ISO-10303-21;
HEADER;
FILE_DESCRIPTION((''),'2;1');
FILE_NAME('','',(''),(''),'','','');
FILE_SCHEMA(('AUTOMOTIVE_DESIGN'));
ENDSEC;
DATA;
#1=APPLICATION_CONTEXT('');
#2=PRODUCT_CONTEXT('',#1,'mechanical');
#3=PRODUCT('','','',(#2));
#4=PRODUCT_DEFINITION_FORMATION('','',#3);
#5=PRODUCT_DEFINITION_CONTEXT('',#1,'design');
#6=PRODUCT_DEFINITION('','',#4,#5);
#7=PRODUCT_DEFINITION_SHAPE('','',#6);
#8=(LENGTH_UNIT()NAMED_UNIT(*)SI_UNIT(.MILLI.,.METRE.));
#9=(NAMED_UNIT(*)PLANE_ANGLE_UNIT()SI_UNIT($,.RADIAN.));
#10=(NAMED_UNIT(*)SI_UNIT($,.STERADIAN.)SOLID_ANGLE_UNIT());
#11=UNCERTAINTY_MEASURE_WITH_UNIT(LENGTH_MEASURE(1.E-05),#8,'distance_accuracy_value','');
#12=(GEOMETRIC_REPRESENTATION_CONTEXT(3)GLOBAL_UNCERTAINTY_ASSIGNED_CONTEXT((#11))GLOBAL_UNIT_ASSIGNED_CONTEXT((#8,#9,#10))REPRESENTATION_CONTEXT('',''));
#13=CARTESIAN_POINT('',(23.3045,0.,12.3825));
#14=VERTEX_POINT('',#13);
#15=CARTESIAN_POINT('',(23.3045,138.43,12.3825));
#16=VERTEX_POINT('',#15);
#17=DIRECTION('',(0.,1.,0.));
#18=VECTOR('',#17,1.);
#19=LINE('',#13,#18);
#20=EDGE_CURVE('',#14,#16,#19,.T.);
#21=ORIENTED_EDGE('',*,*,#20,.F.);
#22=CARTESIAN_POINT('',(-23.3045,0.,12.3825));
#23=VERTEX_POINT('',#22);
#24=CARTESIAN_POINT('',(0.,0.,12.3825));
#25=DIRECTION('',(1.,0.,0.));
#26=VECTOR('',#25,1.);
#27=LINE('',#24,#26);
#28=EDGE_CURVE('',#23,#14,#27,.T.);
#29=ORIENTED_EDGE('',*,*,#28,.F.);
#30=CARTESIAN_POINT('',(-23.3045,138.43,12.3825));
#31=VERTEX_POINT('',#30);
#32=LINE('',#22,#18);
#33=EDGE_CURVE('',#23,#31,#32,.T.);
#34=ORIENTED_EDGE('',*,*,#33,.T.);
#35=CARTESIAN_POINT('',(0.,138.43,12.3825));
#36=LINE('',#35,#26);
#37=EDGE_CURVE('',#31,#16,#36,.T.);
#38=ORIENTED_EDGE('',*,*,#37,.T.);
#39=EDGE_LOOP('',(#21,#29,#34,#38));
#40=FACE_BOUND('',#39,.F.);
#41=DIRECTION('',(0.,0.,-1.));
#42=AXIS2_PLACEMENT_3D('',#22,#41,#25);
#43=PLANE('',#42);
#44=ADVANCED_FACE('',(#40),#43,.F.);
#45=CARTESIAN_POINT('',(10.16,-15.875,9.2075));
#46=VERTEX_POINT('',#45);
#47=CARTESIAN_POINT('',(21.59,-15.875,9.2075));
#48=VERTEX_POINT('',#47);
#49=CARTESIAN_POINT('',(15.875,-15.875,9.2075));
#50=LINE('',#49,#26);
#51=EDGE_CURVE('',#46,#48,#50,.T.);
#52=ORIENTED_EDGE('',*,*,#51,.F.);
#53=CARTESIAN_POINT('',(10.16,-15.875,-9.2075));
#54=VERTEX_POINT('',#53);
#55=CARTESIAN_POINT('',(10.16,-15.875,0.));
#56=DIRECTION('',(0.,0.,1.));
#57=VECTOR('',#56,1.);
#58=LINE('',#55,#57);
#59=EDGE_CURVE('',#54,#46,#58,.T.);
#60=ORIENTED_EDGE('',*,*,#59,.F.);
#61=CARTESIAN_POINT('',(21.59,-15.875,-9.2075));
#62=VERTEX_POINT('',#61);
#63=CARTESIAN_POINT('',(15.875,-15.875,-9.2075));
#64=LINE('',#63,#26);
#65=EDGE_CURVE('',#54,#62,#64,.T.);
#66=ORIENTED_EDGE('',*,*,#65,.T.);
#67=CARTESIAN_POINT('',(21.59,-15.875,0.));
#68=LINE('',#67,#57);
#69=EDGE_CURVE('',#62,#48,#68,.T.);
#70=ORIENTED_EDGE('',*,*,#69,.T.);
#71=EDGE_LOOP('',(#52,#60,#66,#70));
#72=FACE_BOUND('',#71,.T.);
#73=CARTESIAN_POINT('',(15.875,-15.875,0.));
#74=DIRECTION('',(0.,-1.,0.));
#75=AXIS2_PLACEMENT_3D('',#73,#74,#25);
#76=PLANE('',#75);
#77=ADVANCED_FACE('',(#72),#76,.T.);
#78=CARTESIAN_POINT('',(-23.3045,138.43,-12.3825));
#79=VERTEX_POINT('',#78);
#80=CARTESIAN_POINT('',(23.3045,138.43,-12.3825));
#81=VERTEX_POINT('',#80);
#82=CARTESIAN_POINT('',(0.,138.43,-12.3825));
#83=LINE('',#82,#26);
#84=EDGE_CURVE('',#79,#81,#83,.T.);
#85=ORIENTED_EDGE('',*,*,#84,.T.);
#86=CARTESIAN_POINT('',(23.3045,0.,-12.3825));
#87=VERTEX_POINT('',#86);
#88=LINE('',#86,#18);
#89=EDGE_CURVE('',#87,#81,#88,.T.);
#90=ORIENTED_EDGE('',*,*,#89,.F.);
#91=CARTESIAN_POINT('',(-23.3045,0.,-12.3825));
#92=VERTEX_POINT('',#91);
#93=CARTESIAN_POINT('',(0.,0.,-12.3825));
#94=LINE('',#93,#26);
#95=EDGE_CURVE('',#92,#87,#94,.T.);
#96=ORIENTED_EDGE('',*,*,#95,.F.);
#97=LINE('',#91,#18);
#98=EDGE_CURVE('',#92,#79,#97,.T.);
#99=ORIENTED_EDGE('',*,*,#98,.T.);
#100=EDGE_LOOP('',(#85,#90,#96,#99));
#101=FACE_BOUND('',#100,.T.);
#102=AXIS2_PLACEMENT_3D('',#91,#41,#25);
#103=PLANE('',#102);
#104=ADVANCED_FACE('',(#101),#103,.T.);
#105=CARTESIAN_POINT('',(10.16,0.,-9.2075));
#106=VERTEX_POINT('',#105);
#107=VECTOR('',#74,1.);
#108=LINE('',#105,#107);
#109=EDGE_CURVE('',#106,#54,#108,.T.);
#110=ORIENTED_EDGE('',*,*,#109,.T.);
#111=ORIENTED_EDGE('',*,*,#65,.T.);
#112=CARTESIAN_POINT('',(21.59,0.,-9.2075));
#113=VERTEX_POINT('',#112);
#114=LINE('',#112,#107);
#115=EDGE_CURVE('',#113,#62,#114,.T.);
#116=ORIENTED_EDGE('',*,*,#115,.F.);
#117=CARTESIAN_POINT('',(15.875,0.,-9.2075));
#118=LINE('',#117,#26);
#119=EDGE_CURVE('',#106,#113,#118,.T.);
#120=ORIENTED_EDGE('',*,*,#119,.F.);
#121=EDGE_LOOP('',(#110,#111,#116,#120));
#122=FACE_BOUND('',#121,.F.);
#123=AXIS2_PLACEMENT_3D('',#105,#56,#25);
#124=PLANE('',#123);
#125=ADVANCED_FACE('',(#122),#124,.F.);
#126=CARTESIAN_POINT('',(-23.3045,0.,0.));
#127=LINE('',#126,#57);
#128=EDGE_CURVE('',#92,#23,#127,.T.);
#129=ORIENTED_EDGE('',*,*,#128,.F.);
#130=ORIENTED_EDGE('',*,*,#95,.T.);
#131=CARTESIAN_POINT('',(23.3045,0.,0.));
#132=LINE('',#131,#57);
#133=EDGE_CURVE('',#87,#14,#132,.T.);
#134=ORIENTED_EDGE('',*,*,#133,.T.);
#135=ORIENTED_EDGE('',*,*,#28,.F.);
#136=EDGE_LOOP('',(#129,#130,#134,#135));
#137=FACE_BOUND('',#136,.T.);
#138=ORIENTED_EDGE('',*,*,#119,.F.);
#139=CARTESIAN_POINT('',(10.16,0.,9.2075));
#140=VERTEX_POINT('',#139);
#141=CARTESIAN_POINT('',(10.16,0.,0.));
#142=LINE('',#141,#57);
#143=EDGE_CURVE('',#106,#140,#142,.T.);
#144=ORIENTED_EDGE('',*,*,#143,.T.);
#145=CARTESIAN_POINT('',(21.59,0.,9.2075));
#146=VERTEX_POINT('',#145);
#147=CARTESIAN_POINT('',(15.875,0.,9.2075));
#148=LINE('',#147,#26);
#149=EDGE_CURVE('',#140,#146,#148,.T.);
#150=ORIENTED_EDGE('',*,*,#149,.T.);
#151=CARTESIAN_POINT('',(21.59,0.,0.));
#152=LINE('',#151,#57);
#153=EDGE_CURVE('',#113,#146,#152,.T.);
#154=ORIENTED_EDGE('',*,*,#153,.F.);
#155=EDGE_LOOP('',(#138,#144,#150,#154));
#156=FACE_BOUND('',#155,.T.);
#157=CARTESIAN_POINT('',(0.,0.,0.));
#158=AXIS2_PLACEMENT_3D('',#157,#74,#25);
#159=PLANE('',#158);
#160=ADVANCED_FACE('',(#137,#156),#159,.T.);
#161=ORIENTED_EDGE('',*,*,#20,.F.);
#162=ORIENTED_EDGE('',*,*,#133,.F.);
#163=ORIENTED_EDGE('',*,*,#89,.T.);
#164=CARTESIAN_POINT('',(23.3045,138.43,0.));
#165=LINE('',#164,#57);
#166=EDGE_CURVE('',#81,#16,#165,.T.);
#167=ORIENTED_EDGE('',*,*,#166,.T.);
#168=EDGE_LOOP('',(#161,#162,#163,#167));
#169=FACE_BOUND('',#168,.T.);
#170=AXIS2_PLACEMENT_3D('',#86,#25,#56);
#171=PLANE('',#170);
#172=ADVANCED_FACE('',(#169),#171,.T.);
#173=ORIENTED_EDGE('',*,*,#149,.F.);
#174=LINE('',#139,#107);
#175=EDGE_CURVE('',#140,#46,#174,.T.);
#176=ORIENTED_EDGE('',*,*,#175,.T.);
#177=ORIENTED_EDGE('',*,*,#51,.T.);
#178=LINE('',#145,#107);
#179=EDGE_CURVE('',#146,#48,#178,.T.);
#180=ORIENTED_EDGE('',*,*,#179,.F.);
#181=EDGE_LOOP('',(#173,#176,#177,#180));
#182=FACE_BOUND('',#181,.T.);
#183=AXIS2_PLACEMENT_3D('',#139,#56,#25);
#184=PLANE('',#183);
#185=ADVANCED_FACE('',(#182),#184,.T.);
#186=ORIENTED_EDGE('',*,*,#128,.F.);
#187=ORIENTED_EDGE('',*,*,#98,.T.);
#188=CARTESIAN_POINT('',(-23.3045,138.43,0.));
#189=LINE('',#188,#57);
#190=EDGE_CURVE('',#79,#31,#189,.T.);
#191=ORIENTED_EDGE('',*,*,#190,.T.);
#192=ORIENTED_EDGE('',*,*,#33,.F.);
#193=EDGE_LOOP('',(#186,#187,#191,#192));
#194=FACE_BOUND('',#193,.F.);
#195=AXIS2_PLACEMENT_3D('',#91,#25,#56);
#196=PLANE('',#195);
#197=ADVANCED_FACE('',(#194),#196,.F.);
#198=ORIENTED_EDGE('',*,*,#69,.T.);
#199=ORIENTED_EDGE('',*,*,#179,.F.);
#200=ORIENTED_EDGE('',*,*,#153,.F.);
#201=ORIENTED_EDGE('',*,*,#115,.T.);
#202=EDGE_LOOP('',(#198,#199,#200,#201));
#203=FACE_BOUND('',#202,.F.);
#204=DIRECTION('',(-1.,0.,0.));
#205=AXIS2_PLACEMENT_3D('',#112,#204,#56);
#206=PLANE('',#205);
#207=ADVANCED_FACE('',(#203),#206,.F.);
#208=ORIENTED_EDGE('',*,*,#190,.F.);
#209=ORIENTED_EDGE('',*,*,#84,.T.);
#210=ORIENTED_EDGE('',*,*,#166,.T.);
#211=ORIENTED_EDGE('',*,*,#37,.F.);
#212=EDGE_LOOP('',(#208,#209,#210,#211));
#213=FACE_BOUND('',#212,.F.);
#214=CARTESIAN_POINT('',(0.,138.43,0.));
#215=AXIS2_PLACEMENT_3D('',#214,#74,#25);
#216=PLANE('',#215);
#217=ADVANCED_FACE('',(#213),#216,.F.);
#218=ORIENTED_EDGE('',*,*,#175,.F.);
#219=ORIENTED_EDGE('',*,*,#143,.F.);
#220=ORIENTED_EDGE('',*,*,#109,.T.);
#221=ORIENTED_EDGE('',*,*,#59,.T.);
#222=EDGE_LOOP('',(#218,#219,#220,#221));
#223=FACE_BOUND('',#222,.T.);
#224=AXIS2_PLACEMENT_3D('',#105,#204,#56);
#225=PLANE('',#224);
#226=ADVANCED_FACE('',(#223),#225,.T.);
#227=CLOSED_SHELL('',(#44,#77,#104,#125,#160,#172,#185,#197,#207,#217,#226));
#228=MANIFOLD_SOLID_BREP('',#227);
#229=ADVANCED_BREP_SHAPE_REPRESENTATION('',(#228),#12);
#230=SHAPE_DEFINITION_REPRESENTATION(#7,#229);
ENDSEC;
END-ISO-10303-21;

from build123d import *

# Parameters (mm, degrees)
F0_W     = 46.609
F0_H     = 24.765
F1_DEPTH = 138.43
F2_W     = 11.43
F2_H     = 18.415
F3_DEPTH = 15.875


with BuildPart() as f1:
    # F0 (on Front) → F1 (new body)
    with BuildSketch(Plane.XZ):
        Rectangle(F0_W, F0_H)
    extrude(amount=-F1_DEPTH)

    # F2 (on face) → F3 (join)
    with BuildSketch(Plane.XZ):
        with Locations((15.875, 0)):
            Rectangle(F2_W, F2_H)
    extrude(amount=F3_DEPTH)


solid = f1.part
